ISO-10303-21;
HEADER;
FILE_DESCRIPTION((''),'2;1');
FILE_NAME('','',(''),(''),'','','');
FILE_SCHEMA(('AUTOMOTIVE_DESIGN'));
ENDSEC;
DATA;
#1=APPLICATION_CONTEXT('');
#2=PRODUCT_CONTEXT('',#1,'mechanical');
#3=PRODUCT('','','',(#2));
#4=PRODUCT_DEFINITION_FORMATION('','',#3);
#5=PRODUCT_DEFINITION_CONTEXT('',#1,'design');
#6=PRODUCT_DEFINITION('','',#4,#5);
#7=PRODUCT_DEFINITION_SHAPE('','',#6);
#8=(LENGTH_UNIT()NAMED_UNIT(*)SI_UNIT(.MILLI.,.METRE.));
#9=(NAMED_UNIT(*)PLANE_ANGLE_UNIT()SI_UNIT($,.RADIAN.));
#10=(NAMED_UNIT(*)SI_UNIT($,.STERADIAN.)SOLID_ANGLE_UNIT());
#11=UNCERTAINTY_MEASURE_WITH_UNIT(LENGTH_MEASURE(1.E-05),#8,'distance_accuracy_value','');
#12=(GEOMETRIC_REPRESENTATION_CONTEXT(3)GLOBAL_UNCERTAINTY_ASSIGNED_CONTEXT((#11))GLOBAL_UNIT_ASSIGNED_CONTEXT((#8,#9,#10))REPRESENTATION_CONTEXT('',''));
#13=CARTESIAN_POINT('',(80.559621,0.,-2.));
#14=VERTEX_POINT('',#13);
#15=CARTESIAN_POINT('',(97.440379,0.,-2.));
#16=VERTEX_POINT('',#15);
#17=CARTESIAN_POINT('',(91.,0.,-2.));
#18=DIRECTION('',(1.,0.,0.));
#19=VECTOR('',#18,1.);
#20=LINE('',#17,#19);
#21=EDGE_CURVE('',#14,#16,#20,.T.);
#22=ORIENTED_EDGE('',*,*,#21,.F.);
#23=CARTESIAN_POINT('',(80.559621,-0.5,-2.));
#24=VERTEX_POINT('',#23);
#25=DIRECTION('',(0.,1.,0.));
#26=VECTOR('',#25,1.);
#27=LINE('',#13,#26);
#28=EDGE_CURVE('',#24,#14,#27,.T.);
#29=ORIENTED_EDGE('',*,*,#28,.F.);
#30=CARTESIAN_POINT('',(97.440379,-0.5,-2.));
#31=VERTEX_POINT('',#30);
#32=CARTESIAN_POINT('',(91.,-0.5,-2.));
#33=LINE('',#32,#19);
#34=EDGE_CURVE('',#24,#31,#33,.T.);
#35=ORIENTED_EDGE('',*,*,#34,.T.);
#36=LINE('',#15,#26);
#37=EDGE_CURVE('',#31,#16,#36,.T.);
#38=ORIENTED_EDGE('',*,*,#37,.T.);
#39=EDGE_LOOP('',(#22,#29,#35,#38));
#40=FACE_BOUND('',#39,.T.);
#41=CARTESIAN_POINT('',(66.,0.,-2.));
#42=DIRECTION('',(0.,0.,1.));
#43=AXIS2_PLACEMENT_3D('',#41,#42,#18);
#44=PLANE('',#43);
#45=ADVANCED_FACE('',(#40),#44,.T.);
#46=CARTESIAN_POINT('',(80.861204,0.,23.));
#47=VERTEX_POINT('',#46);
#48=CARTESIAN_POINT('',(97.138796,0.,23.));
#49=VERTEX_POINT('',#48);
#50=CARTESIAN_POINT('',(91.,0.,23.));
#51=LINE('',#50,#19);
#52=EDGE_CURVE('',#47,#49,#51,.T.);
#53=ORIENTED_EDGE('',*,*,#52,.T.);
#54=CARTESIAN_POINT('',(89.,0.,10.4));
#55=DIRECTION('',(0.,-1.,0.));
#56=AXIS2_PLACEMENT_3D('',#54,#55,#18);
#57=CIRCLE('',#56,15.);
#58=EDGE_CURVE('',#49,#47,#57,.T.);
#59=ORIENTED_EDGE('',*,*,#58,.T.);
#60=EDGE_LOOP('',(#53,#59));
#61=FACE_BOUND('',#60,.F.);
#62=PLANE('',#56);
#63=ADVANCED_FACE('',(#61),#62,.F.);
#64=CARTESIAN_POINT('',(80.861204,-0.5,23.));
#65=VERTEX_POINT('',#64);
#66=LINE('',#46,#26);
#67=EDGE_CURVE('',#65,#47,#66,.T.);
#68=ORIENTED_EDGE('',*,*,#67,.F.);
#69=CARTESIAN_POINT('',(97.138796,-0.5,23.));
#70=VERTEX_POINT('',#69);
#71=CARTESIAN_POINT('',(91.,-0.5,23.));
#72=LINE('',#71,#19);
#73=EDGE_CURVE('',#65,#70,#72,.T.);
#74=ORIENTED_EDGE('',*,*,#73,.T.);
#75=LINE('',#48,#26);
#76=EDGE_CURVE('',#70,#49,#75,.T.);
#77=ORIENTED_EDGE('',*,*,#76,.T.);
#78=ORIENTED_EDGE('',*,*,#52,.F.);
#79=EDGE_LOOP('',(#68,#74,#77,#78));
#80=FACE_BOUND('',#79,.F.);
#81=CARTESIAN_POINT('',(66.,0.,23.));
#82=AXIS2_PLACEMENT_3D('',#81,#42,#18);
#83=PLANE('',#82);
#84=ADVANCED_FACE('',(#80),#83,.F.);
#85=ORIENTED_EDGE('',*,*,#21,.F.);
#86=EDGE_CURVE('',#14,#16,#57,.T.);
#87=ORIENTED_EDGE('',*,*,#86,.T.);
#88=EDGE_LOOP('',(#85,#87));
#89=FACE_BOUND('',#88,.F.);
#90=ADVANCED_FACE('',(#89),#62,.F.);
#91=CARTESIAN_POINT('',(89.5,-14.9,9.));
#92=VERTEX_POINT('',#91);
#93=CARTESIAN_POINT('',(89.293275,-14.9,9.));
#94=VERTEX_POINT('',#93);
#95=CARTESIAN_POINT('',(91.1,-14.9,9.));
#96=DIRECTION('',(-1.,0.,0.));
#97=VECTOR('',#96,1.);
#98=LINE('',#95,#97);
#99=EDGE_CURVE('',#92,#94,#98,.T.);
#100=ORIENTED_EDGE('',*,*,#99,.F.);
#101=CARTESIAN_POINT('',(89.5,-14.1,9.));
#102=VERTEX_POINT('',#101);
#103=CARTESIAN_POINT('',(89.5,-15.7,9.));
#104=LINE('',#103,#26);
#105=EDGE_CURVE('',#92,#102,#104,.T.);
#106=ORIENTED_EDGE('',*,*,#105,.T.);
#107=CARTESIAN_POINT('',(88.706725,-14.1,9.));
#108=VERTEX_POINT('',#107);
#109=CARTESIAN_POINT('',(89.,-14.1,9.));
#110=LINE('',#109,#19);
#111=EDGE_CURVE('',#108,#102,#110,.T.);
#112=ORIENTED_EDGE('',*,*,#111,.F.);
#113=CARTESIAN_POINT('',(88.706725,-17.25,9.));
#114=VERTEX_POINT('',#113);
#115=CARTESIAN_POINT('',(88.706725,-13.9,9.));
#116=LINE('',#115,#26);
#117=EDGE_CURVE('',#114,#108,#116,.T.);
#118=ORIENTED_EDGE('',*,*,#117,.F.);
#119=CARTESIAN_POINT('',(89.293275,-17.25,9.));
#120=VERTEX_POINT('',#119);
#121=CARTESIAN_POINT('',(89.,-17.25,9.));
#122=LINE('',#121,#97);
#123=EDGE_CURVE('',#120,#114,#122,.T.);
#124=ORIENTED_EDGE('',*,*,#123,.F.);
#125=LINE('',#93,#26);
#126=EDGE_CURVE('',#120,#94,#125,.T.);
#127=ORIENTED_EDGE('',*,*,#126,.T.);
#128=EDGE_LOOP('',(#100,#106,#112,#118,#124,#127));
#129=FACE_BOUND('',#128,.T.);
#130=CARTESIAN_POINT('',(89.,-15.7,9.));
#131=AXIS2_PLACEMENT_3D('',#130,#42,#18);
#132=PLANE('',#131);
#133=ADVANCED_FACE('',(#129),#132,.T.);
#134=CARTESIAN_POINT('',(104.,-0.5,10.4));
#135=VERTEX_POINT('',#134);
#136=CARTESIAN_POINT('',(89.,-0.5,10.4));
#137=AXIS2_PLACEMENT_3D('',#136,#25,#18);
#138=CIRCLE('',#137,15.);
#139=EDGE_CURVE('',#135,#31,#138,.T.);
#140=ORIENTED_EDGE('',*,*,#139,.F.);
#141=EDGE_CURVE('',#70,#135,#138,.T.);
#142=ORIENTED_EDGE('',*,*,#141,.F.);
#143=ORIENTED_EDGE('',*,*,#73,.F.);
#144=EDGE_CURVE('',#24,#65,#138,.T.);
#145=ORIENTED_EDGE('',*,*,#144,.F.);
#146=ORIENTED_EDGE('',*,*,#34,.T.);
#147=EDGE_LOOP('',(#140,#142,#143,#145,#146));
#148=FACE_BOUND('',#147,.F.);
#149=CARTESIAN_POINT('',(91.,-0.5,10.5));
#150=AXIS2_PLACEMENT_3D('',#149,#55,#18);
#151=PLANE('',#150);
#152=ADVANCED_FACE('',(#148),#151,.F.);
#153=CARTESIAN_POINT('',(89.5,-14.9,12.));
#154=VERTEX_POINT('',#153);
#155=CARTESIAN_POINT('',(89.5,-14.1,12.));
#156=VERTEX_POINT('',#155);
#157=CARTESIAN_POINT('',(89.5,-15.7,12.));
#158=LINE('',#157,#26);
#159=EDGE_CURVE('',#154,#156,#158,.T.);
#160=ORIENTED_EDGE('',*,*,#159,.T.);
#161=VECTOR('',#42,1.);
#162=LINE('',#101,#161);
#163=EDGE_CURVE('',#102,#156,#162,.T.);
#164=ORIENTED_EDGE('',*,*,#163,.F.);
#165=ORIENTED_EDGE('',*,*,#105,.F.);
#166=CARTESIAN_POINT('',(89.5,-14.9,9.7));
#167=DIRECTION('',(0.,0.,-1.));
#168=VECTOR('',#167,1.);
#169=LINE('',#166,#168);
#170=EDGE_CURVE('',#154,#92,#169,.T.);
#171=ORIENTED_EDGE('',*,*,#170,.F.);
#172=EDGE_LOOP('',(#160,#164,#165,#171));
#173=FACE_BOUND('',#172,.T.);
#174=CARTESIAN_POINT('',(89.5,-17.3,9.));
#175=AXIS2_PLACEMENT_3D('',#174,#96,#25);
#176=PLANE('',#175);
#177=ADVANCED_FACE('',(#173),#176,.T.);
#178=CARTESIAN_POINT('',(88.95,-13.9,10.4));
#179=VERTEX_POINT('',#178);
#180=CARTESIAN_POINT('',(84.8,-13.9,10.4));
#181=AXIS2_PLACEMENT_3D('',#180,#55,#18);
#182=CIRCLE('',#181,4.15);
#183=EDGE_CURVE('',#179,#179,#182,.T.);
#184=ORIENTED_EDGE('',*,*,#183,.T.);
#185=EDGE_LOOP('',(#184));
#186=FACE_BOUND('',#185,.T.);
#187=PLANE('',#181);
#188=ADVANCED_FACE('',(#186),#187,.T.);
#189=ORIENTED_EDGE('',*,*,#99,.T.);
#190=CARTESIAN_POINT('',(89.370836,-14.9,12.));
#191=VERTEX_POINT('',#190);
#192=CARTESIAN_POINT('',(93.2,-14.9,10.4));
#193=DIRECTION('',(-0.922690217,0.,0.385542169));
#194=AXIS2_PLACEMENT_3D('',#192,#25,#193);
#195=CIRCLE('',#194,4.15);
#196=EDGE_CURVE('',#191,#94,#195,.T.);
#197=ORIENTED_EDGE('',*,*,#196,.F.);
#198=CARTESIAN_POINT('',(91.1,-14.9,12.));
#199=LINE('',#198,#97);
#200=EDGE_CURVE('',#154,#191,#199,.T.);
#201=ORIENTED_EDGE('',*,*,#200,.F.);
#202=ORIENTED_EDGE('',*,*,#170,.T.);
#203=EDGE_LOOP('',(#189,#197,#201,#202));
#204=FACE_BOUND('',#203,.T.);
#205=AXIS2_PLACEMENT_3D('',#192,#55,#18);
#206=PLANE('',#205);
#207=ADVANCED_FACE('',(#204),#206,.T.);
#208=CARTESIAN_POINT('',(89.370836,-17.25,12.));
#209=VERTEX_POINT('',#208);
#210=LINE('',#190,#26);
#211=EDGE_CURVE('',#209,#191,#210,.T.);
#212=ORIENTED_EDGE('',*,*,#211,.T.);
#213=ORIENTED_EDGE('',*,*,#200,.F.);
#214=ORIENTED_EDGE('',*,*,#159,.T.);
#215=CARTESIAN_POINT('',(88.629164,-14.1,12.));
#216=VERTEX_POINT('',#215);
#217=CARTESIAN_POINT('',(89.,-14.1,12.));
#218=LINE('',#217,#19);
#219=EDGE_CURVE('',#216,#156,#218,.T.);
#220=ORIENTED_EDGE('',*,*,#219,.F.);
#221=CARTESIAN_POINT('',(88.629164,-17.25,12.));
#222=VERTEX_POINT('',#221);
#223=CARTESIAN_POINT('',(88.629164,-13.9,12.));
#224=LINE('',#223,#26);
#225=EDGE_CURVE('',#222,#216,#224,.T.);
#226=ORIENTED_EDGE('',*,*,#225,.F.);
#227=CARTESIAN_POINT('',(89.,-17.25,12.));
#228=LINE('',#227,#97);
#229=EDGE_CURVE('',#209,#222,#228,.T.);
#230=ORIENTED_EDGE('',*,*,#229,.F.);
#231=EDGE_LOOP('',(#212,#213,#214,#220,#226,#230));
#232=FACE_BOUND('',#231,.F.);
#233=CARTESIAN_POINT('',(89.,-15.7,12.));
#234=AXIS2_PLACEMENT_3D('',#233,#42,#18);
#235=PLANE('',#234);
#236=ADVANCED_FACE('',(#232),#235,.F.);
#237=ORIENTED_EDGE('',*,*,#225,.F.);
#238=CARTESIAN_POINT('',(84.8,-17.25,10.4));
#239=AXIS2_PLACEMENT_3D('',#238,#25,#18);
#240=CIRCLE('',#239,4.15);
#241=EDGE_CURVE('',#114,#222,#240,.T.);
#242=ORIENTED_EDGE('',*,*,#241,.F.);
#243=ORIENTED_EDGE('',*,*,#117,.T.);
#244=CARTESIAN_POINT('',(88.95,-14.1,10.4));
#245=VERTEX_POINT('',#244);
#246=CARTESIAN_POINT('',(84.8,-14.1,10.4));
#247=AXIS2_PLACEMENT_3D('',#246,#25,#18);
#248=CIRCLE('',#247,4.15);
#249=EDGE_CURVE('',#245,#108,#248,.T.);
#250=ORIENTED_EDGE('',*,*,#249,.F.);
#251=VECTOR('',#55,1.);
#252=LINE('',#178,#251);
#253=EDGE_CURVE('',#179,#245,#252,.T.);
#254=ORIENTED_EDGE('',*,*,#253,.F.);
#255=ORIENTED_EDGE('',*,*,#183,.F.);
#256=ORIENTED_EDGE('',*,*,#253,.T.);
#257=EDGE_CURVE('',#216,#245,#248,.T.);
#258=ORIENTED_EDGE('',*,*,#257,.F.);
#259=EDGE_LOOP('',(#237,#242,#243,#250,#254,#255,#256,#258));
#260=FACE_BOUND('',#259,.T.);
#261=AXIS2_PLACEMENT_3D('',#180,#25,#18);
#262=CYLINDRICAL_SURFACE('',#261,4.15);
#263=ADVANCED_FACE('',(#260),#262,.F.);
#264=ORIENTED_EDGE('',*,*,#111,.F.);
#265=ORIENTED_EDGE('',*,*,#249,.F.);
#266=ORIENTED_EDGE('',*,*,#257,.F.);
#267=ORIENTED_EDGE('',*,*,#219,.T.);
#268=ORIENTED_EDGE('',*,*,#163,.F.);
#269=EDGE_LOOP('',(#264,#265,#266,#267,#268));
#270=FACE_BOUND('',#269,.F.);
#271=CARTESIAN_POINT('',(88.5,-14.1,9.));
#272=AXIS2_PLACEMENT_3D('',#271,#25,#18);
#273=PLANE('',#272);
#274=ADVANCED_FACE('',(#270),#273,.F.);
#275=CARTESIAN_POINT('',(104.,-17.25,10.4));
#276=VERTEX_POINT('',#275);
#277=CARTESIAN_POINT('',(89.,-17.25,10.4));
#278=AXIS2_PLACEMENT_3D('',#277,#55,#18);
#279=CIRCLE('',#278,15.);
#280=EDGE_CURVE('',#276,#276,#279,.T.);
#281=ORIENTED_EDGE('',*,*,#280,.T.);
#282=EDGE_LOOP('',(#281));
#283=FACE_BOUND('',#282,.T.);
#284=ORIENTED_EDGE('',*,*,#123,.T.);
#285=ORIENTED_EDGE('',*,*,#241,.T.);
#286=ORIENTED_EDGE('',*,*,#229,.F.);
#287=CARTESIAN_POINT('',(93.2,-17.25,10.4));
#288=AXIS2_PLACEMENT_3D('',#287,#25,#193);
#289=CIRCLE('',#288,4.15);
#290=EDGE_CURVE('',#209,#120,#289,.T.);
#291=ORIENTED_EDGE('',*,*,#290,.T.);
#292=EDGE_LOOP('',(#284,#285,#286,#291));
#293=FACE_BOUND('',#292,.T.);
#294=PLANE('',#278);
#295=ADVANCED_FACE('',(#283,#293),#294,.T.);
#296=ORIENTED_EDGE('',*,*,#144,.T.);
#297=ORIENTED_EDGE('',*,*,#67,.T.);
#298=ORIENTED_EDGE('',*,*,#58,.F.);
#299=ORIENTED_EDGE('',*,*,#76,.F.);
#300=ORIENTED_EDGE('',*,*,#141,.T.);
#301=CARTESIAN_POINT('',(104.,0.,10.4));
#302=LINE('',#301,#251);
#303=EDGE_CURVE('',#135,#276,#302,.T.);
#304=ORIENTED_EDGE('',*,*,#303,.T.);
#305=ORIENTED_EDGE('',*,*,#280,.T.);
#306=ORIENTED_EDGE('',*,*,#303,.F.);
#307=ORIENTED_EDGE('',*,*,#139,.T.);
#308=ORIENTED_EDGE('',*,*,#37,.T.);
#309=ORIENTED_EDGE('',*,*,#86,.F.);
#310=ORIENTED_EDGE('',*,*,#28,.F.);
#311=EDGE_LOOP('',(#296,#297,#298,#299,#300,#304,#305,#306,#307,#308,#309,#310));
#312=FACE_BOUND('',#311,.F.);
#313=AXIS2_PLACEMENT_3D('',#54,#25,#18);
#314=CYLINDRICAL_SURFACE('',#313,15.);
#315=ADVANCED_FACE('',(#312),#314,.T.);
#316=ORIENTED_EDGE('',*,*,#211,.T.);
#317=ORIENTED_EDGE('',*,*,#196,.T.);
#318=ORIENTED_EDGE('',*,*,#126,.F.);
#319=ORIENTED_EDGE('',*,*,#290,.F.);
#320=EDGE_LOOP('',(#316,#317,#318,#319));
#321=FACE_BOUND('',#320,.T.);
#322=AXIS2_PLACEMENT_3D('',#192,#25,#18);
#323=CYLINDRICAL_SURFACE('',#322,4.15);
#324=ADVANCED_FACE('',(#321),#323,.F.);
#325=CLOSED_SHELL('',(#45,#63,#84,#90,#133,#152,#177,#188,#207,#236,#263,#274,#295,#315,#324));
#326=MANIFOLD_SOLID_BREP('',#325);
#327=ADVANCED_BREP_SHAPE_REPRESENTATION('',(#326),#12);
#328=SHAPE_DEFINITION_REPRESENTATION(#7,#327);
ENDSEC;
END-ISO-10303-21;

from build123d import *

# Parameters (mm, degrees)
BOX013_W            = 1
BOX013_H            = 3.2
BOX013_DEPTH        = 3
CYLINDER009_R       = 4.15
CYLINDER009_DEPTH   = 10
CYLINDER007_R       = 4.15
CYLINDER007_DEPTH   = 10
BOX007_W            = 50
BOX007_H            = 25
BOX007_DEPTH        = 0.5
SKETCH006_R         = 15
EXTRUDE003003_DEPTH = 17.25


with BuildPart() as cube012:
    # Box013 → Box013 (new body)
    with BuildSketch(Plane(origin=(88.5, -17.3, 9), x_dir=(1, 0, 0), z_dir=(0, 0, 1))):
        with Locations((0.5, 1.6)):
            Rectangle(BOX013_W, BOX013_H)
    extrude(amount=BOX013_DEPTH)


with BuildPart() as iman_chico_fuerte003:
    # Cylinder009 → Cylinder009 (new body)
    with BuildSketch(Plane(origin=(93.2, -14.9, 10.4), x_dir=(1, 0, 0), z_dir=(0, -1, 0))):
        Circle(CYLINDER009_R)
    extrude(amount=CYLINDER009_DEPTH)


with BuildPart() as iman_chico_fuerte001:
    # Cylinder007 → Cylinder007 (new body)
    with BuildSketch(Plane(origin=(84.8, -13.9, 10.4), x_dir=(1, 0, 0), z_dir=(0, -1, 0))):
        Circle(CYLINDER007_R)
    extrude(amount=CYLINDER007_DEPTH)


with BuildPart() as cube007:
    # Box007 → Box007 (new body)
    with BuildSketch(Plane(origin=(66, 0, -2), x_dir=(1, 0, 0), z_dir=(0, -1, 0))):
        with Locations((25, 12.5)):
            Rectangle(BOX007_W, BOX007_H)
    extrude(amount=BOX007_DEPTH)


with BuildPart() as pared_2_iman_fuerte_interno:
    # Sketch006 → Extrude003003 (new body)
    with BuildSketch(Plane.XZ):
        with Locations((89, 10.4)):
            Circle(SKETCH006_R)
    extrude(amount=EXTRUDE003003_DEPTH)

    # Cut005014006: cut Cube007
    add(cube007.part, mode=Mode.SUBTRACT)

    # Cut005014007: cut iman_chico_fuerte001
    add(iman_chico_fuerte001.part, mode=Mode.SUBTRACT)

    # Cut005014010: cut iman_chico_fuerte003
    add(iman_chico_fuerte003.part, mode=Mode.SUBTRACT)

    # Cut005014011: cut Cube012
    add(cube012.part, mode=Mode.SUBTRACT)


solid = pared_2_iman_fuerte_interno.part
